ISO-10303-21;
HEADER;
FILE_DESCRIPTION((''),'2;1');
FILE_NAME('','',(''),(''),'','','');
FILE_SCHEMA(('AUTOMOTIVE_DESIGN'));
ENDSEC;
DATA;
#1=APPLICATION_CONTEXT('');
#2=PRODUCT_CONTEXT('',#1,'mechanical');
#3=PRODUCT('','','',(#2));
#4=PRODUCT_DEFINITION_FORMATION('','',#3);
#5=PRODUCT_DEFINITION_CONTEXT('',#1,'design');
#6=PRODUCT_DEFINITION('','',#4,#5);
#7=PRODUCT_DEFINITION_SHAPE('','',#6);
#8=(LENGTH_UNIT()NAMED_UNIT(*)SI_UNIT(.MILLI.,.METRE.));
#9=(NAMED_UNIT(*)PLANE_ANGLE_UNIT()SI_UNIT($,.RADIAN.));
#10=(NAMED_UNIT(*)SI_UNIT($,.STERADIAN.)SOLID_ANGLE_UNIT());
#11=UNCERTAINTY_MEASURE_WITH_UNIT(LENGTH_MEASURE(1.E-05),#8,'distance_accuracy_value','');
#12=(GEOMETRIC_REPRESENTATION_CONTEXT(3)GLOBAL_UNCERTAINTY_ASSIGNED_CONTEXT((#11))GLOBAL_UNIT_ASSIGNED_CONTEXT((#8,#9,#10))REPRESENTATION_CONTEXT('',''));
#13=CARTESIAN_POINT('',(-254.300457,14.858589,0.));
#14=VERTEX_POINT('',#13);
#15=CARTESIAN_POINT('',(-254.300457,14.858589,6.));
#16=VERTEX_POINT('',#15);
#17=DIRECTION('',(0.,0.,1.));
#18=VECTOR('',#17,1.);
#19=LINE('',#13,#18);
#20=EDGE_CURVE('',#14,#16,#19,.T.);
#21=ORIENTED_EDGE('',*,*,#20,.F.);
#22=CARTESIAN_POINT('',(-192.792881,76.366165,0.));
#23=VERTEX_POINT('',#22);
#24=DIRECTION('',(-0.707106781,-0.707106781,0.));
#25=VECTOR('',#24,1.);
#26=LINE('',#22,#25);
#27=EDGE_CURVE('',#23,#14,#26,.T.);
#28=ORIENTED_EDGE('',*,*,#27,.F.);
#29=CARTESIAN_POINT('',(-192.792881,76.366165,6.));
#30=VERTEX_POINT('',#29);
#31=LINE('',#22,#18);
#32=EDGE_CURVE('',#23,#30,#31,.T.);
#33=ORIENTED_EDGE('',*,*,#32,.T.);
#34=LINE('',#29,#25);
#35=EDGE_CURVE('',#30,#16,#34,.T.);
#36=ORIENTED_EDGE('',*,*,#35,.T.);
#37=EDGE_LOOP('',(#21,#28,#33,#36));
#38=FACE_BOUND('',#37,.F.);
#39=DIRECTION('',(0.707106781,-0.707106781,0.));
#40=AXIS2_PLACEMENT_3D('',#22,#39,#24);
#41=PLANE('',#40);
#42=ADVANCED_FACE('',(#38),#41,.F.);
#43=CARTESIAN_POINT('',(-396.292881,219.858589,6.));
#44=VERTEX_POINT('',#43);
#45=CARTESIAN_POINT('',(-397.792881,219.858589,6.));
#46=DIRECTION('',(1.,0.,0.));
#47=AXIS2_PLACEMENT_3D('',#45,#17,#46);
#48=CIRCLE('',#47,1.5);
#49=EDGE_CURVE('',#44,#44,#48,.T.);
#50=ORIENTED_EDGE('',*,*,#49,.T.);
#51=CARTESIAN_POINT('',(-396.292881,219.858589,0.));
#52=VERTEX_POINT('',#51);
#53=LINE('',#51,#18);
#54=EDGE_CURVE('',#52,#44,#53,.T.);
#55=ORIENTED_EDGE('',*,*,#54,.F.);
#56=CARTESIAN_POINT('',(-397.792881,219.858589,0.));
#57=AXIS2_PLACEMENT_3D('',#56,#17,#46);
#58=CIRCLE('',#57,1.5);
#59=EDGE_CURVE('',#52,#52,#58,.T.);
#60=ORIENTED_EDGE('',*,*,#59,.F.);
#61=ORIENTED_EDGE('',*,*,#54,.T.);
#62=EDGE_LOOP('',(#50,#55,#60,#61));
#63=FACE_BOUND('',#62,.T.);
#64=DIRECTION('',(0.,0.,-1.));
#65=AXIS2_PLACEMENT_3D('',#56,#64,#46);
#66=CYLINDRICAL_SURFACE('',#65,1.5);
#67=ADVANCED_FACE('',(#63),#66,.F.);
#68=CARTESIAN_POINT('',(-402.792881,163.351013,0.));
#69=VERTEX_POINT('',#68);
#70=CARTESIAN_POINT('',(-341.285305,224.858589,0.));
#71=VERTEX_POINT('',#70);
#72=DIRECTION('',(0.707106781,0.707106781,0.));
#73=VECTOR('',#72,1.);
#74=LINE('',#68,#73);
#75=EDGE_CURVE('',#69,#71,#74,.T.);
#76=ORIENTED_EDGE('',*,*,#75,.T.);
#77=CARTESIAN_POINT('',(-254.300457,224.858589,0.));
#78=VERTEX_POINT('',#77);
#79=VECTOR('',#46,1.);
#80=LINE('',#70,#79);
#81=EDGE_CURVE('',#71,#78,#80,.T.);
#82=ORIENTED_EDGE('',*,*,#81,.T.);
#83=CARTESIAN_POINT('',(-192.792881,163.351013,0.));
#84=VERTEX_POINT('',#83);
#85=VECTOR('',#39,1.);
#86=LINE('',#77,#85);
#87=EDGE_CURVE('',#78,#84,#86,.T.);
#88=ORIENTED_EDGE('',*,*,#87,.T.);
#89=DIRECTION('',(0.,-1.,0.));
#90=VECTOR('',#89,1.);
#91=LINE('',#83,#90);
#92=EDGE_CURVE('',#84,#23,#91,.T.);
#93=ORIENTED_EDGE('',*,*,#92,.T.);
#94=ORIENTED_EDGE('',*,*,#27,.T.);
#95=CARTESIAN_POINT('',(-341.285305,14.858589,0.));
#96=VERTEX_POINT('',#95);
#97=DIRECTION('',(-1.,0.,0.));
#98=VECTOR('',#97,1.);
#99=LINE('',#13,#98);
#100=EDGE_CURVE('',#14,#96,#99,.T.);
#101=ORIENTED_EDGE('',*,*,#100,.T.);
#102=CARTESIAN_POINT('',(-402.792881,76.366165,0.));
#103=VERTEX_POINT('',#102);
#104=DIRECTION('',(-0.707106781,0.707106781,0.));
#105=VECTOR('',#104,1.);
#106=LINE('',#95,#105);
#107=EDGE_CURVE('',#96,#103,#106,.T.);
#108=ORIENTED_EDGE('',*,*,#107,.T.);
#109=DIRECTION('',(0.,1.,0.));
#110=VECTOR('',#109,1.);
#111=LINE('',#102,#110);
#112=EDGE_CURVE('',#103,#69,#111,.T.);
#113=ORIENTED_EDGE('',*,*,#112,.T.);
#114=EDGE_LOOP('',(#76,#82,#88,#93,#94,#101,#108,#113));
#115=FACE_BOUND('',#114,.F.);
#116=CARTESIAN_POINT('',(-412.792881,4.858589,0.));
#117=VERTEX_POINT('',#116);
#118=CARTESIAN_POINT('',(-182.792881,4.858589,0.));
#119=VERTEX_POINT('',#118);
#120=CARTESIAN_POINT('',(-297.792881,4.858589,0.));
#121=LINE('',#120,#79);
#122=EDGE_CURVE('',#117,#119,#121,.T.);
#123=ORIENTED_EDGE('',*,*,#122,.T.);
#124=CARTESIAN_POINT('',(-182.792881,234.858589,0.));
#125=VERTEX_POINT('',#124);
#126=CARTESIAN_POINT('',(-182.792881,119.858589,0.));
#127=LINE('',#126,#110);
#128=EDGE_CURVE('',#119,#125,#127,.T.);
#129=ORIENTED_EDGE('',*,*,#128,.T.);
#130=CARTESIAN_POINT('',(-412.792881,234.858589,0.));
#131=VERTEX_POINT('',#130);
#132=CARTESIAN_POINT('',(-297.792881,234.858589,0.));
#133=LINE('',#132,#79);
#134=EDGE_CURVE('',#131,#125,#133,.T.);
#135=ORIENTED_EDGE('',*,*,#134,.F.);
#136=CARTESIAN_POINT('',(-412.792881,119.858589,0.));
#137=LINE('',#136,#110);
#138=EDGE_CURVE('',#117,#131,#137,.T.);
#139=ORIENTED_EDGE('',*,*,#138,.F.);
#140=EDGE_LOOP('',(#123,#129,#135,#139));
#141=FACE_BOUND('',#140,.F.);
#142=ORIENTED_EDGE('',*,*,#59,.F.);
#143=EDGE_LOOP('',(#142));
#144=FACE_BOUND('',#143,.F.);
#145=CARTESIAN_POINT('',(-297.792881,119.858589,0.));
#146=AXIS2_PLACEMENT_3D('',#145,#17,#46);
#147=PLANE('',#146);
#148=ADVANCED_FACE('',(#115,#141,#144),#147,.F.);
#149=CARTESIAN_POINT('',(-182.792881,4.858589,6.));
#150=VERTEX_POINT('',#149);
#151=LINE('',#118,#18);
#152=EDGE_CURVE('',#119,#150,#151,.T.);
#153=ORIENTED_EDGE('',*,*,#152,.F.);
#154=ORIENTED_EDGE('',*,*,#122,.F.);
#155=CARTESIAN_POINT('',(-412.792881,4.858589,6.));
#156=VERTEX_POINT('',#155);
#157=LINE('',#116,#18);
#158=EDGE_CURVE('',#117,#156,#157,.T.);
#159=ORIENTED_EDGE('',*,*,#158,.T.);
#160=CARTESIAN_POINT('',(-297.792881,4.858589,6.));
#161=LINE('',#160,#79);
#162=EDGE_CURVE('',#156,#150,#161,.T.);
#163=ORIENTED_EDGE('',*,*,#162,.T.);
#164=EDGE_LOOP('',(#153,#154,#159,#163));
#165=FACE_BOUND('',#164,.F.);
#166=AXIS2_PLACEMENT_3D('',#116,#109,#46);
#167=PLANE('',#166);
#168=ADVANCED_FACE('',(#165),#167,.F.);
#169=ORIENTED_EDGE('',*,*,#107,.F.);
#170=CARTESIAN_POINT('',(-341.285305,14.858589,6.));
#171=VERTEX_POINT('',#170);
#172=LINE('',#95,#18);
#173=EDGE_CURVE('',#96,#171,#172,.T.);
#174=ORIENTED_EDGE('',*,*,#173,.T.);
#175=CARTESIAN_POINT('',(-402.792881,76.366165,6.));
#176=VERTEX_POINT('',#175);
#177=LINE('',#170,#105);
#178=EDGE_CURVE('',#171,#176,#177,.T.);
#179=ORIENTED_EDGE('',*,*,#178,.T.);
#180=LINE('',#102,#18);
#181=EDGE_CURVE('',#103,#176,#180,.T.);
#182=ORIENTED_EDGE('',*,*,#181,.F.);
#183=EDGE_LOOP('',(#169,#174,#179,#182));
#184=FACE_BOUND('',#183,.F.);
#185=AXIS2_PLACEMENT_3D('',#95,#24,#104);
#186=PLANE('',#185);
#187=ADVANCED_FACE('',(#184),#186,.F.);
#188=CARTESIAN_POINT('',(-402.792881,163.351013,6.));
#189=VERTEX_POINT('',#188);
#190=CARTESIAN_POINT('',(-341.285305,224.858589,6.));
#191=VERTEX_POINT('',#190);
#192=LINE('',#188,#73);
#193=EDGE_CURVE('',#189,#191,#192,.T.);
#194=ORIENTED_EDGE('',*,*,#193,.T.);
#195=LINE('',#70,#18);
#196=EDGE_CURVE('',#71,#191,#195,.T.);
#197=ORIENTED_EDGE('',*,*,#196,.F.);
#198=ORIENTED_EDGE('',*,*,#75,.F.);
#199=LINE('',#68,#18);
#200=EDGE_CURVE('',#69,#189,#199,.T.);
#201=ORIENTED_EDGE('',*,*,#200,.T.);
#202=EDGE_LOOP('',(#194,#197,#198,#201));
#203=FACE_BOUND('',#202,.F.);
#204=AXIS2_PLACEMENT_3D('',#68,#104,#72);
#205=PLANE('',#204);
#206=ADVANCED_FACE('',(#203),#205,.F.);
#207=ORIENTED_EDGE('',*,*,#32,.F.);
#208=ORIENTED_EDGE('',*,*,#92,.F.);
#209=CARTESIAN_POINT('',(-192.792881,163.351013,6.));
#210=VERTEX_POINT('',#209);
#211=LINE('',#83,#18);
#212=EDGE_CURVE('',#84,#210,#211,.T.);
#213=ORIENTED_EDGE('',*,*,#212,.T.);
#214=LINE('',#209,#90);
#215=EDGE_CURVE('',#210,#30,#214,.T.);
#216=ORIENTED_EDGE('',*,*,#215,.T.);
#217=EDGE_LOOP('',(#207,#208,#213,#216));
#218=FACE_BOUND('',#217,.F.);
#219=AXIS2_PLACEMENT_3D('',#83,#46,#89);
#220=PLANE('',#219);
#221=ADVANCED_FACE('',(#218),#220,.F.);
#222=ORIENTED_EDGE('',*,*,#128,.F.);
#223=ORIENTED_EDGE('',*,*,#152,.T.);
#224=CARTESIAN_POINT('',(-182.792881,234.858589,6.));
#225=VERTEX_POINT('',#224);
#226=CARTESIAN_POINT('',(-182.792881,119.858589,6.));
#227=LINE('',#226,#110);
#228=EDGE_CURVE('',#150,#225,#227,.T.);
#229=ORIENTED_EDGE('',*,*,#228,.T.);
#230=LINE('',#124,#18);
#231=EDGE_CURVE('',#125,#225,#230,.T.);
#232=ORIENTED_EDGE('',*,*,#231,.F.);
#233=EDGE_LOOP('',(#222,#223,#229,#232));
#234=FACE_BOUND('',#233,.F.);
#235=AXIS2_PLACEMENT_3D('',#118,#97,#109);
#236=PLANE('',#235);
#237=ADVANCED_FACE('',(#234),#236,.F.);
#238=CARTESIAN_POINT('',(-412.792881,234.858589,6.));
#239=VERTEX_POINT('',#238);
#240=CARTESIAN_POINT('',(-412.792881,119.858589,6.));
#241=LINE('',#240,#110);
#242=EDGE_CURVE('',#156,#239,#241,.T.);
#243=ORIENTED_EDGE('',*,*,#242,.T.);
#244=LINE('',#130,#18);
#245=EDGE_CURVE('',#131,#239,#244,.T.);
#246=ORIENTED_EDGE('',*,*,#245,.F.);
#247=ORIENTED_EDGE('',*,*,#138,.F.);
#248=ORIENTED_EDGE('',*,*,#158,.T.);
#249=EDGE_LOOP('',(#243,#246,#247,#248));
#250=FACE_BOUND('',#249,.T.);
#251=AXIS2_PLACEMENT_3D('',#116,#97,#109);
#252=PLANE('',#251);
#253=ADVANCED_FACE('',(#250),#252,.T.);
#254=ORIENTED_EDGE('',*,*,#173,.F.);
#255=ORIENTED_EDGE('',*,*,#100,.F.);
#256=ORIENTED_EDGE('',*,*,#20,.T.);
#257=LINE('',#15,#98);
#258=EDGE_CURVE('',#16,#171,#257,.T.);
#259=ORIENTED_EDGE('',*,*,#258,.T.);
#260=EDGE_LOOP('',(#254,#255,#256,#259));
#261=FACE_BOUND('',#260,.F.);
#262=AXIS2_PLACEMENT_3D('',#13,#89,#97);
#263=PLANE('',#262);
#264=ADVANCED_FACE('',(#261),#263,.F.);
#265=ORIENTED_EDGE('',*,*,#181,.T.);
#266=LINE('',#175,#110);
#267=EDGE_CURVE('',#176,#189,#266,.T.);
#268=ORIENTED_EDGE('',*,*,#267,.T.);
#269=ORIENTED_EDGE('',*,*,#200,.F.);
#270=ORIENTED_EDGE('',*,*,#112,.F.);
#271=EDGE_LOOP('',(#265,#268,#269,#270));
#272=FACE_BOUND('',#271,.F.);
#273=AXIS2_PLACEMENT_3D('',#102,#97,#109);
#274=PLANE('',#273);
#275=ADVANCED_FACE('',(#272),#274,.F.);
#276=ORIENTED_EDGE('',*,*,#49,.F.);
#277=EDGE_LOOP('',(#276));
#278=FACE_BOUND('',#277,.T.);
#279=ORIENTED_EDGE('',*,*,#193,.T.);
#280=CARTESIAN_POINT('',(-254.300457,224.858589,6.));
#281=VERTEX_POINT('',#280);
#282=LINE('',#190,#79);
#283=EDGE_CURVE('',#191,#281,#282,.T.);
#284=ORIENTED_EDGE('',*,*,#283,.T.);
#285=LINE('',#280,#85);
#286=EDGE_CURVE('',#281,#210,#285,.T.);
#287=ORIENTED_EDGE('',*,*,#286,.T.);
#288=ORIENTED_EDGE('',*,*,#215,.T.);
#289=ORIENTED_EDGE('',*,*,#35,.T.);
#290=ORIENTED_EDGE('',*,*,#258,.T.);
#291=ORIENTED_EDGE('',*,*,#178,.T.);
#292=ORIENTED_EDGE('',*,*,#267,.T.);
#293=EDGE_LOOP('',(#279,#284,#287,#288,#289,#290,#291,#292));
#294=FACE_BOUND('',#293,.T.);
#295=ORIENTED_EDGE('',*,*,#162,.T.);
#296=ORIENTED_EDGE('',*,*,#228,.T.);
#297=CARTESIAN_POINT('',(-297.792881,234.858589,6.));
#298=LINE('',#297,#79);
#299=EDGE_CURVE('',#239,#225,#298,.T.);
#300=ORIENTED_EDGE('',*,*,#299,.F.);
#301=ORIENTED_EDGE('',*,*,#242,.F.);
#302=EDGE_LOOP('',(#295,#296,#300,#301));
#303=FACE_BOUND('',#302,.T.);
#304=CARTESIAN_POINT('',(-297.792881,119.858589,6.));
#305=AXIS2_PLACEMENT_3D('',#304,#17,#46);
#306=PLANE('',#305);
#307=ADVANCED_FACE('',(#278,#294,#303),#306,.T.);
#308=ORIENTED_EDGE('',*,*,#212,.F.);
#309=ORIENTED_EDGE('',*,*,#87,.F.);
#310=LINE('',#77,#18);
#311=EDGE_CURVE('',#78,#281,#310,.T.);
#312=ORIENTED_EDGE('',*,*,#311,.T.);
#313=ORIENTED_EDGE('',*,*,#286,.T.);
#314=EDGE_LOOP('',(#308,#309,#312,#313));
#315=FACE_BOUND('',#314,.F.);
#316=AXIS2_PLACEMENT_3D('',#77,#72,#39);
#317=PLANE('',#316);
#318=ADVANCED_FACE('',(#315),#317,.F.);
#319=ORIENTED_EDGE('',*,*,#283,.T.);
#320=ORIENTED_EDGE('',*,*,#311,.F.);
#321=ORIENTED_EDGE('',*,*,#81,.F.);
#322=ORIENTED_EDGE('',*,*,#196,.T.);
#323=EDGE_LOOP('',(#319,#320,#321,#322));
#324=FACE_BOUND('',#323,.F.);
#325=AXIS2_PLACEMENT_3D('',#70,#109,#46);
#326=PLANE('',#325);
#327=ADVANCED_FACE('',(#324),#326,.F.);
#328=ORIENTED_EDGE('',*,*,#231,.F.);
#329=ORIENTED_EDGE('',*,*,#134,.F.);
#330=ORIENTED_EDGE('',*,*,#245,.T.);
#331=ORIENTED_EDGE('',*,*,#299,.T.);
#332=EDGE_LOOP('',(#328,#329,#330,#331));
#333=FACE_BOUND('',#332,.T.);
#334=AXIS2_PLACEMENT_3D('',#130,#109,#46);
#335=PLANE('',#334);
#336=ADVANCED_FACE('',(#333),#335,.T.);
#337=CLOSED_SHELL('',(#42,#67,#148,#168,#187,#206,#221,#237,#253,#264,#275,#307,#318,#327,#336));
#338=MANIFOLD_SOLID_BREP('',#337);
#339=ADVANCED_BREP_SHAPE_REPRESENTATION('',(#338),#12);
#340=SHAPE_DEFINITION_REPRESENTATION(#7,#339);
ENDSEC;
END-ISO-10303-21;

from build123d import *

# Parameters (mm, degrees)
F0_W     = 230
F0_H     = 230
F0_R     = 1.5
F1_DEPTH = 6


with BuildPart() as f1:
    # F0 (on Top) → F1 (new body)
    with BuildSketch(Plane.XY):
        with Locations((-297.792881, 119.858589)):
            Rectangle(F0_W, F0_H)
        with Locations((-397.792881, 219.858589)):
            Circle(F0_R, mode=Mode.SUBTRACT)
        Polygon((-402.792881, 163.351013), (-341.285305, 224.858589), (-254.300457, 224.858589), (-192.792881, 163.351013), (-192.792881, 76.366165), (-254.300457, 14.858589), (-341.285305, 14.858589), (-402.792881, 76.366165), align=None, mode=Mode.SUBTRACT)
    extrude(amount=F1_DEPTH)


solid = f1.part
